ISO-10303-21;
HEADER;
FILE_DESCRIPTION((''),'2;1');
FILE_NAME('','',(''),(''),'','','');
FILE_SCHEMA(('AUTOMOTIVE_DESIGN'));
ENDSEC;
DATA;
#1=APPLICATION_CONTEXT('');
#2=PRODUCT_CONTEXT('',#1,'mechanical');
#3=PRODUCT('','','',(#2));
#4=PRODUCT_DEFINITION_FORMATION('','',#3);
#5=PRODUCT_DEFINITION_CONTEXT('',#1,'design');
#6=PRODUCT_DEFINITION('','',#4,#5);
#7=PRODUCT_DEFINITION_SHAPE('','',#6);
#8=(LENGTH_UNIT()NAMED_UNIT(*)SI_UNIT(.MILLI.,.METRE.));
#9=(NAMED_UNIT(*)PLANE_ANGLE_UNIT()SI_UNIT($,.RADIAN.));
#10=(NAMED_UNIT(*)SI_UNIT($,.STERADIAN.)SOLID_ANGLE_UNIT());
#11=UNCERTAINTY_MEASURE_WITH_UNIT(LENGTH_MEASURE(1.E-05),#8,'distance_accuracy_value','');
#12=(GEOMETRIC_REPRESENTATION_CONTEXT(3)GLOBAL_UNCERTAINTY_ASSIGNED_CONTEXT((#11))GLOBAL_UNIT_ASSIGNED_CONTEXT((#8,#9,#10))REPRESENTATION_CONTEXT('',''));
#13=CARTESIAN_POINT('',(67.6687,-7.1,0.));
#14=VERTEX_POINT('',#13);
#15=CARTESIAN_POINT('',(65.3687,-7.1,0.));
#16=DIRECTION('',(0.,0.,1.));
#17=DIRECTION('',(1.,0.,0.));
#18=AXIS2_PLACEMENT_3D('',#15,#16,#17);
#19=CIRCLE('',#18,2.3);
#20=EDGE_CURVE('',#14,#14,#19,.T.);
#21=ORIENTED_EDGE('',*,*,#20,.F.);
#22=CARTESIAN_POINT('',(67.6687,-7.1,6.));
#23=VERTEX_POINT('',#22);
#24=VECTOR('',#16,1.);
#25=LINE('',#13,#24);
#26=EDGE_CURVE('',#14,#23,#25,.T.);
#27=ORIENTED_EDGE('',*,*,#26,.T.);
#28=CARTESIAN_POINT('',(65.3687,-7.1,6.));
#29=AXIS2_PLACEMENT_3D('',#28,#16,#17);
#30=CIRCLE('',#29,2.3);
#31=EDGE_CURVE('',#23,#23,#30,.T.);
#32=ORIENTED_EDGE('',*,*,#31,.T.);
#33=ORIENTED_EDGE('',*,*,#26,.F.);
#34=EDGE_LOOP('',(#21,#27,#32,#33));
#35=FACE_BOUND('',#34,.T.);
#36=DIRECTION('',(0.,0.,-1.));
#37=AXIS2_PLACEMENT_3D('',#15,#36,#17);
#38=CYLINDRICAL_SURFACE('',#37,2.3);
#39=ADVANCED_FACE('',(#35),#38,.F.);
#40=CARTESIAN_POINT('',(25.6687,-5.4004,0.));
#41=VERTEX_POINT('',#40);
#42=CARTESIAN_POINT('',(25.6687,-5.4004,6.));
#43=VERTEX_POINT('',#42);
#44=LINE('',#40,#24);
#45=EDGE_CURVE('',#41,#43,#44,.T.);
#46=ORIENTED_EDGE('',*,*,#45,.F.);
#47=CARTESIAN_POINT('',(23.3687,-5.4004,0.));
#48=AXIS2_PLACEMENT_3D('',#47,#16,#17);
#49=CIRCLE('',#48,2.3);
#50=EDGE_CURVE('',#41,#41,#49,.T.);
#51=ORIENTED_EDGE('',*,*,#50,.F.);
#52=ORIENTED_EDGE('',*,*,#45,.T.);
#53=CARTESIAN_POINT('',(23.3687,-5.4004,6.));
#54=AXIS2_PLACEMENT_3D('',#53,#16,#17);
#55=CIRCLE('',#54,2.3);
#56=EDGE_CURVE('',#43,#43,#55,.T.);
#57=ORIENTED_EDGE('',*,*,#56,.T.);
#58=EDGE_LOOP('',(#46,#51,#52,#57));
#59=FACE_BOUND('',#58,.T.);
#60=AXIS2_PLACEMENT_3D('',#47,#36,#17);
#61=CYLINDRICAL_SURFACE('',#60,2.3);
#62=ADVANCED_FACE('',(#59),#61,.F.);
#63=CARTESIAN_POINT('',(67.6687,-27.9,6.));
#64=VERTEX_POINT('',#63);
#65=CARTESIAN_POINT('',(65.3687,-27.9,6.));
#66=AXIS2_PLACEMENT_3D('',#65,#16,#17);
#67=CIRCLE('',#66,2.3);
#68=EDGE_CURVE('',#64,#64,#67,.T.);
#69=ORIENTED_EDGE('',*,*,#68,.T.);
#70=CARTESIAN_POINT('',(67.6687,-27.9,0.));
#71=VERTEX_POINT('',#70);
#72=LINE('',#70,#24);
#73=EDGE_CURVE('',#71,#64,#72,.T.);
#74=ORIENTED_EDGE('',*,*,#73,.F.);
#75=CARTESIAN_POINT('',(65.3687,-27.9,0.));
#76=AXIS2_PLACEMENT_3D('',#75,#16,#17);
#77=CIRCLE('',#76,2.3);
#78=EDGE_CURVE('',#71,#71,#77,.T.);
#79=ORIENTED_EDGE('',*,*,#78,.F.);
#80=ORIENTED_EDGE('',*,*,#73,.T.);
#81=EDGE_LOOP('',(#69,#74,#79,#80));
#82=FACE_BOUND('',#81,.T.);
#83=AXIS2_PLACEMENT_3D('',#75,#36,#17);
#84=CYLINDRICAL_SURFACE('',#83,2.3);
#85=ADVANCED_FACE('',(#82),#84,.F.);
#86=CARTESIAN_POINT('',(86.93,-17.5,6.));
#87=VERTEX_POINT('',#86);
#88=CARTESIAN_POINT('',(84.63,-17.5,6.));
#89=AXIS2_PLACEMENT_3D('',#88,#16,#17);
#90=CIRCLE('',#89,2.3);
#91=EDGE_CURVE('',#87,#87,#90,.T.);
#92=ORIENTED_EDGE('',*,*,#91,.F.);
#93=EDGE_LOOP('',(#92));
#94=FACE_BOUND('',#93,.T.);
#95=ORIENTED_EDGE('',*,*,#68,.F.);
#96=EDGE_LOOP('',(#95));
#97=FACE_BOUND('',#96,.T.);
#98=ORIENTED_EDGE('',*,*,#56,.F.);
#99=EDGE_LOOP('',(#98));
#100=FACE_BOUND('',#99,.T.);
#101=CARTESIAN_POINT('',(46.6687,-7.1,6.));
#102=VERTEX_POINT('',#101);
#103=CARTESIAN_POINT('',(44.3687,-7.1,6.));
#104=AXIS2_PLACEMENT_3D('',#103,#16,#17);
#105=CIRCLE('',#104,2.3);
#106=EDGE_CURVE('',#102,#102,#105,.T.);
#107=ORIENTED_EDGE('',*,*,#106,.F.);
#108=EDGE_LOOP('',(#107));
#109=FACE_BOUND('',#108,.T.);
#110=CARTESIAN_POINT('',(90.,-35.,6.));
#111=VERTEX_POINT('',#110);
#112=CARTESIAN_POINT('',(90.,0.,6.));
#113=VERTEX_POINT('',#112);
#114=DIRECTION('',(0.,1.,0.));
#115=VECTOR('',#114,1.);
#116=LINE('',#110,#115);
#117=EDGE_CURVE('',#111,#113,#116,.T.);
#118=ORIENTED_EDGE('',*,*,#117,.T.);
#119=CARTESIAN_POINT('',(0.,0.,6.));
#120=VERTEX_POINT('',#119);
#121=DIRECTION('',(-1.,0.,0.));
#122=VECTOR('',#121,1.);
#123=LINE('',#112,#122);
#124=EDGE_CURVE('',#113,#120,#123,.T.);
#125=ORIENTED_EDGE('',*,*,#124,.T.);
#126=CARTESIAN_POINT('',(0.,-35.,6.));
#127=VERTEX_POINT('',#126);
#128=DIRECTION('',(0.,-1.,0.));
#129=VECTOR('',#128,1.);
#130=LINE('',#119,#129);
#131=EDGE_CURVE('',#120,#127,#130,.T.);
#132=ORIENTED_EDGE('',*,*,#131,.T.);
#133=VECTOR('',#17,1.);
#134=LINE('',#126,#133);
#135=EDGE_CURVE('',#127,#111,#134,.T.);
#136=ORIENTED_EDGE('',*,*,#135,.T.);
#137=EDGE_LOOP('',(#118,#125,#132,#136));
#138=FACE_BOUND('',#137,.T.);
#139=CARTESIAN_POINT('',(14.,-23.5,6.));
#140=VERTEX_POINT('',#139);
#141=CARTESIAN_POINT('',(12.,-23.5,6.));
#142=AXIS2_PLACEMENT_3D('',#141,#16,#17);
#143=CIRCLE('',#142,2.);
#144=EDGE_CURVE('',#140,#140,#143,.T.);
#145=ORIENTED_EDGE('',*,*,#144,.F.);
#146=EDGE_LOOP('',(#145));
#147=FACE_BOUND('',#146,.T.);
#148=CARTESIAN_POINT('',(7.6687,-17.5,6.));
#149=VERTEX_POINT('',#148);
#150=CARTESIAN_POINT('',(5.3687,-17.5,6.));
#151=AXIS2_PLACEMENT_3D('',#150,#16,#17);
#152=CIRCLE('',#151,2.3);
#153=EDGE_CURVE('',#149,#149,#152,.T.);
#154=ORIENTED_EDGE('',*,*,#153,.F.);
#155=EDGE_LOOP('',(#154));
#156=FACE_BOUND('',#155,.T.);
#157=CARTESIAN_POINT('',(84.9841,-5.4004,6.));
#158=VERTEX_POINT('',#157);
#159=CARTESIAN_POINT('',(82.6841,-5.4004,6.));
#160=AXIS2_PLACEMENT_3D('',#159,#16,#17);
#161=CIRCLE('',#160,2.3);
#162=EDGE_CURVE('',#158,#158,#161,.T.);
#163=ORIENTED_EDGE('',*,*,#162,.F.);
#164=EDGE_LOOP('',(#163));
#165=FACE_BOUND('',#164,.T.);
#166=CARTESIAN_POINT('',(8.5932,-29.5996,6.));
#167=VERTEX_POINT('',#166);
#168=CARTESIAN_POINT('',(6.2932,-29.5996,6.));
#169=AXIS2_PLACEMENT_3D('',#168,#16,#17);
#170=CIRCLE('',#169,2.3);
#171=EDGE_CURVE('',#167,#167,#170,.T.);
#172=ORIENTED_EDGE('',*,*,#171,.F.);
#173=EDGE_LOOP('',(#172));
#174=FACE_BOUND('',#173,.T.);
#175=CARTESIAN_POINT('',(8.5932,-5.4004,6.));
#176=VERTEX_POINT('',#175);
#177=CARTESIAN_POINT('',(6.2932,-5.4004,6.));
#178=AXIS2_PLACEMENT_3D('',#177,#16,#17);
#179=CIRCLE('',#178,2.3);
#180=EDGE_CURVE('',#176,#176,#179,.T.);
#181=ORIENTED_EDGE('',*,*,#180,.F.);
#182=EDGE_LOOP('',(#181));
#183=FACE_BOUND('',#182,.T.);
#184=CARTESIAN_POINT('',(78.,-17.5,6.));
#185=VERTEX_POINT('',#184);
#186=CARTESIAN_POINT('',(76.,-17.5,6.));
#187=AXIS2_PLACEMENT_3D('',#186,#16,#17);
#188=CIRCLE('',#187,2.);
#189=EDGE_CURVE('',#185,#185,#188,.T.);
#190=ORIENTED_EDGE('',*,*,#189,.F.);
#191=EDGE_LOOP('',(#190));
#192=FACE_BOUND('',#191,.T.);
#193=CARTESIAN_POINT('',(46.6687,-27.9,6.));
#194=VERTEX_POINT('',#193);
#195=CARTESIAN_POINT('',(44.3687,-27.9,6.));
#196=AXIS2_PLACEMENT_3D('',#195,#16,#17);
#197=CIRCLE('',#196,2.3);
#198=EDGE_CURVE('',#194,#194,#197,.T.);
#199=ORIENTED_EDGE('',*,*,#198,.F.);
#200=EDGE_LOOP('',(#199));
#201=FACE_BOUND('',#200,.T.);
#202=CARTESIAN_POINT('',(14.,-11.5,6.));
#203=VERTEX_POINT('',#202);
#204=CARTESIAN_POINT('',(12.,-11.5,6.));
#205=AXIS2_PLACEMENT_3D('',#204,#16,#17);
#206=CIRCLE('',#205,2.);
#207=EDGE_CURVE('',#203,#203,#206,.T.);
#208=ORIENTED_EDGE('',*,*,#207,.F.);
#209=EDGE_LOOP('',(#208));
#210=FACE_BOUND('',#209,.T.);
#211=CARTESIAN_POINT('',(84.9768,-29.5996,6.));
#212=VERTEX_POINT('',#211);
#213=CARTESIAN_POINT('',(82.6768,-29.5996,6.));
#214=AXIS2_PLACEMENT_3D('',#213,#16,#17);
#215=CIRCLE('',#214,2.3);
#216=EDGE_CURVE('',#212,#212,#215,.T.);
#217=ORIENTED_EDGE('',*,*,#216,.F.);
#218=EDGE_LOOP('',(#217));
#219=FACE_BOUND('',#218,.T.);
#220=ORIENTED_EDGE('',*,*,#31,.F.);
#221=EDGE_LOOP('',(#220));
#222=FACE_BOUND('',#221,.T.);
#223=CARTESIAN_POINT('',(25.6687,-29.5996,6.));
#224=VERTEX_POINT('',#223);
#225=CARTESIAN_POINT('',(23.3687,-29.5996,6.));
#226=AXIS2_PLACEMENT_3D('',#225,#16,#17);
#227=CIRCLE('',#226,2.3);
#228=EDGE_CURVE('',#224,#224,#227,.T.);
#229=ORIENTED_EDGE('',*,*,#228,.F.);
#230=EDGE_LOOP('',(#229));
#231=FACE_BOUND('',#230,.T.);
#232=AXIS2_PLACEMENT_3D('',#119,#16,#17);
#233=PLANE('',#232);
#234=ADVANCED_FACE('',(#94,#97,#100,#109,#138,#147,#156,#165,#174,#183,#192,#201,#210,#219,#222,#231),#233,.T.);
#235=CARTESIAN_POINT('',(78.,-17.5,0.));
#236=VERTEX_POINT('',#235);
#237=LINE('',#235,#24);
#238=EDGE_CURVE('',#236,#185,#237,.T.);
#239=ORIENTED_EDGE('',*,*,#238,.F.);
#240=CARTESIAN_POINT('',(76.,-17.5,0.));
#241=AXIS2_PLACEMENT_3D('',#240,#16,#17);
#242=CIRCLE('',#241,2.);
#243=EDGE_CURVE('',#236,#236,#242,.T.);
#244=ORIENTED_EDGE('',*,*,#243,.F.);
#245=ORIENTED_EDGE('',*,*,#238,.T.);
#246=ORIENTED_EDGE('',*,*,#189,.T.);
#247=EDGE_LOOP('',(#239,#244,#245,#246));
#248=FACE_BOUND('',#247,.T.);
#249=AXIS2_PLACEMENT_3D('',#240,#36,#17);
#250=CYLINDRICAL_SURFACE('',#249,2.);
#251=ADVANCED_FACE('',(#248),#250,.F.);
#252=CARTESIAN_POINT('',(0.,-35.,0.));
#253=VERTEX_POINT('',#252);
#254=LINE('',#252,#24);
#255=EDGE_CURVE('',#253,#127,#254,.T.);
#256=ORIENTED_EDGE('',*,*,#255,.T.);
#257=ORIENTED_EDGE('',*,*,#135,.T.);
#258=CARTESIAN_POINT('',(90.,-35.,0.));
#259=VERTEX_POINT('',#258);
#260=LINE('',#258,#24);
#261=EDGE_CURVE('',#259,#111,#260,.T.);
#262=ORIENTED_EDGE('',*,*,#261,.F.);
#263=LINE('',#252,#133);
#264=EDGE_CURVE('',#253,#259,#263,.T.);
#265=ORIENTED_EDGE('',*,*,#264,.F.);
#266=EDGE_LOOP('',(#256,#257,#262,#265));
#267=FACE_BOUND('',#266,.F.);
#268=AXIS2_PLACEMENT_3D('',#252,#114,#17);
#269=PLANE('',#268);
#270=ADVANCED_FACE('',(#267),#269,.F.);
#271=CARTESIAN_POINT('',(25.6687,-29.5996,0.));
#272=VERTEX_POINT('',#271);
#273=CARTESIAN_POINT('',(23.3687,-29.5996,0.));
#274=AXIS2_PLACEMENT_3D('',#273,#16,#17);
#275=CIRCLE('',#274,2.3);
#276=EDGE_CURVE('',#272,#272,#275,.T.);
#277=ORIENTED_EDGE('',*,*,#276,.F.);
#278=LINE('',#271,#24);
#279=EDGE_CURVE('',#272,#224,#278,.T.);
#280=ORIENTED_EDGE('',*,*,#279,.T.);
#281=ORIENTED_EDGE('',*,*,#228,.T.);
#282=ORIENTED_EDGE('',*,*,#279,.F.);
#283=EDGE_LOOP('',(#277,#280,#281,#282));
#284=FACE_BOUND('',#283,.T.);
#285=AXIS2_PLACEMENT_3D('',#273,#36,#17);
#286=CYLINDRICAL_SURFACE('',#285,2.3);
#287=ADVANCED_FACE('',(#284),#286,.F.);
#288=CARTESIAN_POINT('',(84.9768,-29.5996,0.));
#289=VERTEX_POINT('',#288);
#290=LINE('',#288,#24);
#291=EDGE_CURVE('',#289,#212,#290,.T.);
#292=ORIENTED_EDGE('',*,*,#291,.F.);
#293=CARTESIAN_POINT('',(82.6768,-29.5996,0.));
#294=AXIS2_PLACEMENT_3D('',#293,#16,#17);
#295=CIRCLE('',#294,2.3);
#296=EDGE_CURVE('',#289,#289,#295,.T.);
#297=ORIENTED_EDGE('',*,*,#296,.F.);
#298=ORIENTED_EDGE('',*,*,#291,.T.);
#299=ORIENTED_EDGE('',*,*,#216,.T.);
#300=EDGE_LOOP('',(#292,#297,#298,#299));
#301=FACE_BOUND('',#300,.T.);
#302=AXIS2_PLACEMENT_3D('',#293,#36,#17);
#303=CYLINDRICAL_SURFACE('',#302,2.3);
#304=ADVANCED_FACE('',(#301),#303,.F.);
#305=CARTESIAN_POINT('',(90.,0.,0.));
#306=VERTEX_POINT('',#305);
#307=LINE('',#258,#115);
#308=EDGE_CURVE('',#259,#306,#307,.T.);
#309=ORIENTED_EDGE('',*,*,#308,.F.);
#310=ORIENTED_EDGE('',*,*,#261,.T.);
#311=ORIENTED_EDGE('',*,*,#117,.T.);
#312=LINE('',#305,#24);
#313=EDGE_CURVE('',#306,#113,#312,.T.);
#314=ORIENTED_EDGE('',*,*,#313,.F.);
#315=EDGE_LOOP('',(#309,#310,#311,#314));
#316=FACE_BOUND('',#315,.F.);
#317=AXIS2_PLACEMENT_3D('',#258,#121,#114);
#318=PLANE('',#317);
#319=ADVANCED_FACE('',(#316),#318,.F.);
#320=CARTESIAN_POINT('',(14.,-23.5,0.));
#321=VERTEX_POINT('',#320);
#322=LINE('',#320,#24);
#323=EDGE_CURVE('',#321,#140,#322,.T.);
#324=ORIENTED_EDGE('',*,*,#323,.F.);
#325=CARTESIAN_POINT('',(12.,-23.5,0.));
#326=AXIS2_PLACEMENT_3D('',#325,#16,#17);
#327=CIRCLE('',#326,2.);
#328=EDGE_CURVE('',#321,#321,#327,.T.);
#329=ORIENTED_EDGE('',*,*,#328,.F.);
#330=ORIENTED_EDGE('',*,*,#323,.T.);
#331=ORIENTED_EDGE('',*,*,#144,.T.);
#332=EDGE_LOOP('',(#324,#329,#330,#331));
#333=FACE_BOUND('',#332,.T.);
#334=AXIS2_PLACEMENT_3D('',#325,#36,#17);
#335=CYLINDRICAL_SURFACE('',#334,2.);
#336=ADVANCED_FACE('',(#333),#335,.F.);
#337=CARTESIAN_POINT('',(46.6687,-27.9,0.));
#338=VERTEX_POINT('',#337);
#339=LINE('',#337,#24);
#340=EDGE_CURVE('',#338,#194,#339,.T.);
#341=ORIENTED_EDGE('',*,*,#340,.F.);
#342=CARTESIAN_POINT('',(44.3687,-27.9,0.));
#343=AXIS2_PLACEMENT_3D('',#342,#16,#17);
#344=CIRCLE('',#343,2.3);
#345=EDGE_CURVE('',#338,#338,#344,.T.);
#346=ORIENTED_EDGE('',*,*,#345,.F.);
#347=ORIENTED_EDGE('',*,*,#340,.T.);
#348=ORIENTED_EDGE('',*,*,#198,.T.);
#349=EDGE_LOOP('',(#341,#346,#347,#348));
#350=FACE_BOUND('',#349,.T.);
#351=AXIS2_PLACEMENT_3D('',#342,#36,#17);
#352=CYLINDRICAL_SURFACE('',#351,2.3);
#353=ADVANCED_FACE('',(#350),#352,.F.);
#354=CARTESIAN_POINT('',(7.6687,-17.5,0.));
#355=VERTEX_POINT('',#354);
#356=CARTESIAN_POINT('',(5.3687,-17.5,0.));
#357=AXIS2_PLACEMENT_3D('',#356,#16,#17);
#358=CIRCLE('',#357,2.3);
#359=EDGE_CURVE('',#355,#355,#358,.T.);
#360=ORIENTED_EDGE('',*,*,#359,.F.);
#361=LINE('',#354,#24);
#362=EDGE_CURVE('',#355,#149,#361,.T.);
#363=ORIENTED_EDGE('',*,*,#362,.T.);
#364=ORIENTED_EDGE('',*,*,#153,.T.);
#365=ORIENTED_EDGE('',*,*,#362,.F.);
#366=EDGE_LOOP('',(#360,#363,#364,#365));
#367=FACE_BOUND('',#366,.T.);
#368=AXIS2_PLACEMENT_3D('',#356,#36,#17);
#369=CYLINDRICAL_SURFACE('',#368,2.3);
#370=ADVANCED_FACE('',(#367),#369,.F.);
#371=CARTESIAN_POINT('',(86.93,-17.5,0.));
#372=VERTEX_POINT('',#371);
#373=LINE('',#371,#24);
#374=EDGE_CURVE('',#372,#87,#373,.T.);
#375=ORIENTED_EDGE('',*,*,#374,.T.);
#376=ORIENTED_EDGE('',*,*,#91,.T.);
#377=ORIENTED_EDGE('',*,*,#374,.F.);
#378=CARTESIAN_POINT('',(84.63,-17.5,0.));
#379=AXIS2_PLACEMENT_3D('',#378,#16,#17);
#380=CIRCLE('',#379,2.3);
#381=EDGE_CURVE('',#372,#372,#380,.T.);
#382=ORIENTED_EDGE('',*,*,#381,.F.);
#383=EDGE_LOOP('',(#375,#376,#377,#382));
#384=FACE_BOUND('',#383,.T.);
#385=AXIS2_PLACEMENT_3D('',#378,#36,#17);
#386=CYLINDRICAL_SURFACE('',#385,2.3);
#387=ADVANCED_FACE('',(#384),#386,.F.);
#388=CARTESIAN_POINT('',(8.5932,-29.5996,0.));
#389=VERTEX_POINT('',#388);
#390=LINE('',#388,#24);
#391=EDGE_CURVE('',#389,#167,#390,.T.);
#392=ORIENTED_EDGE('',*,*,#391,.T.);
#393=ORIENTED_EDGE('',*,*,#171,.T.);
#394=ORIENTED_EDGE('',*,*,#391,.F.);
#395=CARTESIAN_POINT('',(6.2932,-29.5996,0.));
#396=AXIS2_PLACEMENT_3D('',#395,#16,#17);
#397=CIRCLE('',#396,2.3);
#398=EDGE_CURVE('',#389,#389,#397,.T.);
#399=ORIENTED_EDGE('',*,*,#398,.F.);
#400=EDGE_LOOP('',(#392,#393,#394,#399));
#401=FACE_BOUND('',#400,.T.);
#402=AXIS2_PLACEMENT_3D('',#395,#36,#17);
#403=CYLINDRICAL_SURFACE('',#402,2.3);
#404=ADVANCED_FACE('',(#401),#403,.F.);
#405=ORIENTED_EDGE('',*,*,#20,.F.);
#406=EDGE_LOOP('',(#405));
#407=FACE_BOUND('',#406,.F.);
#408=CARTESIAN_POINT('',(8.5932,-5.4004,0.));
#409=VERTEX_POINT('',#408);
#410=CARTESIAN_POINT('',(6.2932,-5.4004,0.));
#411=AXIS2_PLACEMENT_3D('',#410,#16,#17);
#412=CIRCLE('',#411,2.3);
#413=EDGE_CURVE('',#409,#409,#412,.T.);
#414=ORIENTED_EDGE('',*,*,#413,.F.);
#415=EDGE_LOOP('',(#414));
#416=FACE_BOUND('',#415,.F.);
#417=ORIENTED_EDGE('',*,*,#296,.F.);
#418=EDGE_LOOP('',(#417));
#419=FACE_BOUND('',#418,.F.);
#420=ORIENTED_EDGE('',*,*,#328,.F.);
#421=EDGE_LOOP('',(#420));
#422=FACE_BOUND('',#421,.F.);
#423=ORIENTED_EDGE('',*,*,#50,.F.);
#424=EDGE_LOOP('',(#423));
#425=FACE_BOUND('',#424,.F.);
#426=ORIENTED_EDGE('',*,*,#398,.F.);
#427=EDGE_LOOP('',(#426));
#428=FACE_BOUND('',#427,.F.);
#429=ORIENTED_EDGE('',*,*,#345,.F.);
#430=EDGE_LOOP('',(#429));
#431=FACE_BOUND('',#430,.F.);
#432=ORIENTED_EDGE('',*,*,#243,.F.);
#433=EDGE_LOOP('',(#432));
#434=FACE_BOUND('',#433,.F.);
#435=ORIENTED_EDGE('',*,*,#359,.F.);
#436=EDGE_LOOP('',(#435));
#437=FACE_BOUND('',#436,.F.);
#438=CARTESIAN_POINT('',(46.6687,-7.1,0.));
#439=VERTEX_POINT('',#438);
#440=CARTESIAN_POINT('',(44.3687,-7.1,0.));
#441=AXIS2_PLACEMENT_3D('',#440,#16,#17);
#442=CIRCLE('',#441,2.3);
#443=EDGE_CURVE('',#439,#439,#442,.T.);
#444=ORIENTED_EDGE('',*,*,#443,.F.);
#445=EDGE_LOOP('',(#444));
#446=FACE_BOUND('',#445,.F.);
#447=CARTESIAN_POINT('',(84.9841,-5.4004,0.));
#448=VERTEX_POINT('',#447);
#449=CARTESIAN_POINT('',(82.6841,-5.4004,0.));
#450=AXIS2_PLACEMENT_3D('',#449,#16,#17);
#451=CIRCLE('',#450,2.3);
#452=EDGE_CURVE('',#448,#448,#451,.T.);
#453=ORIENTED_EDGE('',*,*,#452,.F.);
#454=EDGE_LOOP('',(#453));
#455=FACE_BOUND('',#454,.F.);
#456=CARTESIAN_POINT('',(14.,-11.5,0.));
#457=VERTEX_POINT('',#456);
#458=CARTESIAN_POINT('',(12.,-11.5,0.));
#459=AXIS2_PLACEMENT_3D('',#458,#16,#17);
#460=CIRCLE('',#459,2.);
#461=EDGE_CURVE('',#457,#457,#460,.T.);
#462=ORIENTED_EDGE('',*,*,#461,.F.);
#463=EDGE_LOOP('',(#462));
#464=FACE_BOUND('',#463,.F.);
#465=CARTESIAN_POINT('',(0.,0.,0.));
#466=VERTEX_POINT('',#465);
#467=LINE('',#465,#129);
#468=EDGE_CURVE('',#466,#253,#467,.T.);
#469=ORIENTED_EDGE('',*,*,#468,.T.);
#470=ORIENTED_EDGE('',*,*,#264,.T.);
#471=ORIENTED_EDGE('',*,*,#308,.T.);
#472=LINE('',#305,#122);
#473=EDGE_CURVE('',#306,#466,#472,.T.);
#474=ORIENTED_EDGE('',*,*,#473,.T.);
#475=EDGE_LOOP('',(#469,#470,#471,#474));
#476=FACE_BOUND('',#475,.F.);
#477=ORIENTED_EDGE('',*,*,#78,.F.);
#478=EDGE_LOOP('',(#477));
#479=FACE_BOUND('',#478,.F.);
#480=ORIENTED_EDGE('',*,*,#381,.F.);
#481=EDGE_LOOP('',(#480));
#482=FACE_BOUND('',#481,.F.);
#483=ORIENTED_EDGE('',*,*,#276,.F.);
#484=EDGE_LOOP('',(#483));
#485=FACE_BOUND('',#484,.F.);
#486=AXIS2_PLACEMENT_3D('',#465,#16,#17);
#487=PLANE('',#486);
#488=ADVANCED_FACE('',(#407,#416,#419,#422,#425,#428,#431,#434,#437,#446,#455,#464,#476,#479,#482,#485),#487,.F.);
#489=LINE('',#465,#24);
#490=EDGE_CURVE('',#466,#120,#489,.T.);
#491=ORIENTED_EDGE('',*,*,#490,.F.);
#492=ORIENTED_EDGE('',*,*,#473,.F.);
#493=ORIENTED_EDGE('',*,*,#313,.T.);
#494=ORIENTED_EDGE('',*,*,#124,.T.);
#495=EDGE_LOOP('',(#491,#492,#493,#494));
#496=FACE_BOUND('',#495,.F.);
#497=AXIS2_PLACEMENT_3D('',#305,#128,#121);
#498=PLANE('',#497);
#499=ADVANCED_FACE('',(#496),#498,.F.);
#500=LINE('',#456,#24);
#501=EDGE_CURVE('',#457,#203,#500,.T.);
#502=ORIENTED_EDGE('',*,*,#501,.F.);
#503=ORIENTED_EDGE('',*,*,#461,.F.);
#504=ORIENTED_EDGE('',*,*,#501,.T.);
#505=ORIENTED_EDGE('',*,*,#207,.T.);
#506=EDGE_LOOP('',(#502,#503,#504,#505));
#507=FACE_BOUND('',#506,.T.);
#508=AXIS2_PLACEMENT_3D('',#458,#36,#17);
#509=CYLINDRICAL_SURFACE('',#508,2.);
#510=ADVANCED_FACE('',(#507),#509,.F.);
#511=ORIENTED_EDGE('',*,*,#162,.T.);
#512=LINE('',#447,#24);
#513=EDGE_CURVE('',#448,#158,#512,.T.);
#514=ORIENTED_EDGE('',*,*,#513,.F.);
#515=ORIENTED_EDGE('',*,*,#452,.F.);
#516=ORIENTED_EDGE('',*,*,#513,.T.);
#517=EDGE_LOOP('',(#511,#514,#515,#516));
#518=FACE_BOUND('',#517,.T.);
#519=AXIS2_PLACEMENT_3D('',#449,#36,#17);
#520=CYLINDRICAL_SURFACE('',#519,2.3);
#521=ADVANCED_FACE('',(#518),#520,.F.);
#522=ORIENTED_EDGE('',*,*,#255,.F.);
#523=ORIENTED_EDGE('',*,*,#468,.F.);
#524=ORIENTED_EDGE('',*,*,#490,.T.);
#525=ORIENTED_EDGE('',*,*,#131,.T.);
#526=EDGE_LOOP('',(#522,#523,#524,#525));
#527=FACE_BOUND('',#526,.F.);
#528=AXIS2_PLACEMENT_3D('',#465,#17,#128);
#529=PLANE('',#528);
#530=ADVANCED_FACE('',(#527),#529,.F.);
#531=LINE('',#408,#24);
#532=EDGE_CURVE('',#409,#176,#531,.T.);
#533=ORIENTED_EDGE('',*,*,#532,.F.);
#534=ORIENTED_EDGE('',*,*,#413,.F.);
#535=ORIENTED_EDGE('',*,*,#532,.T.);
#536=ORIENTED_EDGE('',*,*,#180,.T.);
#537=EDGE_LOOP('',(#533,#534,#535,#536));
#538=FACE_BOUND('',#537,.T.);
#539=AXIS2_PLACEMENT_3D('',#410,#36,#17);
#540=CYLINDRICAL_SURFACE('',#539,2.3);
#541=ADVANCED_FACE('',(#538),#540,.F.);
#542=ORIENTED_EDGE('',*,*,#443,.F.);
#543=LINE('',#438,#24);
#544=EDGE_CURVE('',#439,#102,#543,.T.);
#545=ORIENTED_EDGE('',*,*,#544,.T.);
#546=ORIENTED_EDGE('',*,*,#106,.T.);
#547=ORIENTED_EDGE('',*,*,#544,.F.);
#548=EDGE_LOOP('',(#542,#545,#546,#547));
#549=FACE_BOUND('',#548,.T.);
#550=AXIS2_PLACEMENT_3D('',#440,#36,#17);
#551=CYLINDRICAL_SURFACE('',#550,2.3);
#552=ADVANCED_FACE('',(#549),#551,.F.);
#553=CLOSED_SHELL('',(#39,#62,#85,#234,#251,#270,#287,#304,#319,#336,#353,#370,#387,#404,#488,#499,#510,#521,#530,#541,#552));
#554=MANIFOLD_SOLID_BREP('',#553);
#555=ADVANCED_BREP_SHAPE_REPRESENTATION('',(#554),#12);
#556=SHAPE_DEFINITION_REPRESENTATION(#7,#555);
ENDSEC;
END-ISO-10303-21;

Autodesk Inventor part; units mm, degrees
ref_plane "YZ Plane" through (0, 0, 0) normal (1, 0, 0) x (0, 1, 0)
ref_plane "XZ Plane" through (0, 0, 0) normal (0, 1, 0) x (-1, 0, 0)
ref_plane "XY Plane" through (0, 0, 0) normal (0, 0, 1) x (1, 0, 0)
sketch "Esboço1" plane through (0, 0, 0) normal (0, 0, 1) x (1, 0, 0)
  line L0 (90, 0) -> (0, 0)
  line L1 (0, 0) -> (0, -35)
  line L2 (0, -35) -> (90, -35)
  line L3 (90, -35) -> (90, 0)
  circle A0 centre (65.3687, -7.1) radius 2.3
  circle A1 centre (23.3687, -29.5996) radius 2.3
  circle A2 centre (44.3687, -27.9) radius 2.3
  circle A3 centre (44.3687, -7.1) radius 2.3
  circle A4 centre (84.63, -17.5) radius 2.3
  circle A5 centre (5.3687, -17.5) radius 2.3
  circle A6 centre (65.3687, -27.9) radius 2.3
  circle A7 centre (23.3687, -5.4004) radius 2.3
  circle A8 centre (12, -11.5) radius 2
  circle A9 centre (12, -23.5) radius 2
  circle A10 centre (76, -17.5) radius 2
  circle A11 centre (6.2932, -5.4004) radius 2.3
  circle A12 centre (6.2932, -29.5996) radius 2.3
  circle A13 centre (82.6841, -5.4004) radius 2.3
  circle A14 centre (82.6768, -29.5996) radius 2.3
extrude "Extrusão1" add sketch "Esboço1" along normal blind 6
properties part number "acrilico frontal" material "Acrílico, transparente"
